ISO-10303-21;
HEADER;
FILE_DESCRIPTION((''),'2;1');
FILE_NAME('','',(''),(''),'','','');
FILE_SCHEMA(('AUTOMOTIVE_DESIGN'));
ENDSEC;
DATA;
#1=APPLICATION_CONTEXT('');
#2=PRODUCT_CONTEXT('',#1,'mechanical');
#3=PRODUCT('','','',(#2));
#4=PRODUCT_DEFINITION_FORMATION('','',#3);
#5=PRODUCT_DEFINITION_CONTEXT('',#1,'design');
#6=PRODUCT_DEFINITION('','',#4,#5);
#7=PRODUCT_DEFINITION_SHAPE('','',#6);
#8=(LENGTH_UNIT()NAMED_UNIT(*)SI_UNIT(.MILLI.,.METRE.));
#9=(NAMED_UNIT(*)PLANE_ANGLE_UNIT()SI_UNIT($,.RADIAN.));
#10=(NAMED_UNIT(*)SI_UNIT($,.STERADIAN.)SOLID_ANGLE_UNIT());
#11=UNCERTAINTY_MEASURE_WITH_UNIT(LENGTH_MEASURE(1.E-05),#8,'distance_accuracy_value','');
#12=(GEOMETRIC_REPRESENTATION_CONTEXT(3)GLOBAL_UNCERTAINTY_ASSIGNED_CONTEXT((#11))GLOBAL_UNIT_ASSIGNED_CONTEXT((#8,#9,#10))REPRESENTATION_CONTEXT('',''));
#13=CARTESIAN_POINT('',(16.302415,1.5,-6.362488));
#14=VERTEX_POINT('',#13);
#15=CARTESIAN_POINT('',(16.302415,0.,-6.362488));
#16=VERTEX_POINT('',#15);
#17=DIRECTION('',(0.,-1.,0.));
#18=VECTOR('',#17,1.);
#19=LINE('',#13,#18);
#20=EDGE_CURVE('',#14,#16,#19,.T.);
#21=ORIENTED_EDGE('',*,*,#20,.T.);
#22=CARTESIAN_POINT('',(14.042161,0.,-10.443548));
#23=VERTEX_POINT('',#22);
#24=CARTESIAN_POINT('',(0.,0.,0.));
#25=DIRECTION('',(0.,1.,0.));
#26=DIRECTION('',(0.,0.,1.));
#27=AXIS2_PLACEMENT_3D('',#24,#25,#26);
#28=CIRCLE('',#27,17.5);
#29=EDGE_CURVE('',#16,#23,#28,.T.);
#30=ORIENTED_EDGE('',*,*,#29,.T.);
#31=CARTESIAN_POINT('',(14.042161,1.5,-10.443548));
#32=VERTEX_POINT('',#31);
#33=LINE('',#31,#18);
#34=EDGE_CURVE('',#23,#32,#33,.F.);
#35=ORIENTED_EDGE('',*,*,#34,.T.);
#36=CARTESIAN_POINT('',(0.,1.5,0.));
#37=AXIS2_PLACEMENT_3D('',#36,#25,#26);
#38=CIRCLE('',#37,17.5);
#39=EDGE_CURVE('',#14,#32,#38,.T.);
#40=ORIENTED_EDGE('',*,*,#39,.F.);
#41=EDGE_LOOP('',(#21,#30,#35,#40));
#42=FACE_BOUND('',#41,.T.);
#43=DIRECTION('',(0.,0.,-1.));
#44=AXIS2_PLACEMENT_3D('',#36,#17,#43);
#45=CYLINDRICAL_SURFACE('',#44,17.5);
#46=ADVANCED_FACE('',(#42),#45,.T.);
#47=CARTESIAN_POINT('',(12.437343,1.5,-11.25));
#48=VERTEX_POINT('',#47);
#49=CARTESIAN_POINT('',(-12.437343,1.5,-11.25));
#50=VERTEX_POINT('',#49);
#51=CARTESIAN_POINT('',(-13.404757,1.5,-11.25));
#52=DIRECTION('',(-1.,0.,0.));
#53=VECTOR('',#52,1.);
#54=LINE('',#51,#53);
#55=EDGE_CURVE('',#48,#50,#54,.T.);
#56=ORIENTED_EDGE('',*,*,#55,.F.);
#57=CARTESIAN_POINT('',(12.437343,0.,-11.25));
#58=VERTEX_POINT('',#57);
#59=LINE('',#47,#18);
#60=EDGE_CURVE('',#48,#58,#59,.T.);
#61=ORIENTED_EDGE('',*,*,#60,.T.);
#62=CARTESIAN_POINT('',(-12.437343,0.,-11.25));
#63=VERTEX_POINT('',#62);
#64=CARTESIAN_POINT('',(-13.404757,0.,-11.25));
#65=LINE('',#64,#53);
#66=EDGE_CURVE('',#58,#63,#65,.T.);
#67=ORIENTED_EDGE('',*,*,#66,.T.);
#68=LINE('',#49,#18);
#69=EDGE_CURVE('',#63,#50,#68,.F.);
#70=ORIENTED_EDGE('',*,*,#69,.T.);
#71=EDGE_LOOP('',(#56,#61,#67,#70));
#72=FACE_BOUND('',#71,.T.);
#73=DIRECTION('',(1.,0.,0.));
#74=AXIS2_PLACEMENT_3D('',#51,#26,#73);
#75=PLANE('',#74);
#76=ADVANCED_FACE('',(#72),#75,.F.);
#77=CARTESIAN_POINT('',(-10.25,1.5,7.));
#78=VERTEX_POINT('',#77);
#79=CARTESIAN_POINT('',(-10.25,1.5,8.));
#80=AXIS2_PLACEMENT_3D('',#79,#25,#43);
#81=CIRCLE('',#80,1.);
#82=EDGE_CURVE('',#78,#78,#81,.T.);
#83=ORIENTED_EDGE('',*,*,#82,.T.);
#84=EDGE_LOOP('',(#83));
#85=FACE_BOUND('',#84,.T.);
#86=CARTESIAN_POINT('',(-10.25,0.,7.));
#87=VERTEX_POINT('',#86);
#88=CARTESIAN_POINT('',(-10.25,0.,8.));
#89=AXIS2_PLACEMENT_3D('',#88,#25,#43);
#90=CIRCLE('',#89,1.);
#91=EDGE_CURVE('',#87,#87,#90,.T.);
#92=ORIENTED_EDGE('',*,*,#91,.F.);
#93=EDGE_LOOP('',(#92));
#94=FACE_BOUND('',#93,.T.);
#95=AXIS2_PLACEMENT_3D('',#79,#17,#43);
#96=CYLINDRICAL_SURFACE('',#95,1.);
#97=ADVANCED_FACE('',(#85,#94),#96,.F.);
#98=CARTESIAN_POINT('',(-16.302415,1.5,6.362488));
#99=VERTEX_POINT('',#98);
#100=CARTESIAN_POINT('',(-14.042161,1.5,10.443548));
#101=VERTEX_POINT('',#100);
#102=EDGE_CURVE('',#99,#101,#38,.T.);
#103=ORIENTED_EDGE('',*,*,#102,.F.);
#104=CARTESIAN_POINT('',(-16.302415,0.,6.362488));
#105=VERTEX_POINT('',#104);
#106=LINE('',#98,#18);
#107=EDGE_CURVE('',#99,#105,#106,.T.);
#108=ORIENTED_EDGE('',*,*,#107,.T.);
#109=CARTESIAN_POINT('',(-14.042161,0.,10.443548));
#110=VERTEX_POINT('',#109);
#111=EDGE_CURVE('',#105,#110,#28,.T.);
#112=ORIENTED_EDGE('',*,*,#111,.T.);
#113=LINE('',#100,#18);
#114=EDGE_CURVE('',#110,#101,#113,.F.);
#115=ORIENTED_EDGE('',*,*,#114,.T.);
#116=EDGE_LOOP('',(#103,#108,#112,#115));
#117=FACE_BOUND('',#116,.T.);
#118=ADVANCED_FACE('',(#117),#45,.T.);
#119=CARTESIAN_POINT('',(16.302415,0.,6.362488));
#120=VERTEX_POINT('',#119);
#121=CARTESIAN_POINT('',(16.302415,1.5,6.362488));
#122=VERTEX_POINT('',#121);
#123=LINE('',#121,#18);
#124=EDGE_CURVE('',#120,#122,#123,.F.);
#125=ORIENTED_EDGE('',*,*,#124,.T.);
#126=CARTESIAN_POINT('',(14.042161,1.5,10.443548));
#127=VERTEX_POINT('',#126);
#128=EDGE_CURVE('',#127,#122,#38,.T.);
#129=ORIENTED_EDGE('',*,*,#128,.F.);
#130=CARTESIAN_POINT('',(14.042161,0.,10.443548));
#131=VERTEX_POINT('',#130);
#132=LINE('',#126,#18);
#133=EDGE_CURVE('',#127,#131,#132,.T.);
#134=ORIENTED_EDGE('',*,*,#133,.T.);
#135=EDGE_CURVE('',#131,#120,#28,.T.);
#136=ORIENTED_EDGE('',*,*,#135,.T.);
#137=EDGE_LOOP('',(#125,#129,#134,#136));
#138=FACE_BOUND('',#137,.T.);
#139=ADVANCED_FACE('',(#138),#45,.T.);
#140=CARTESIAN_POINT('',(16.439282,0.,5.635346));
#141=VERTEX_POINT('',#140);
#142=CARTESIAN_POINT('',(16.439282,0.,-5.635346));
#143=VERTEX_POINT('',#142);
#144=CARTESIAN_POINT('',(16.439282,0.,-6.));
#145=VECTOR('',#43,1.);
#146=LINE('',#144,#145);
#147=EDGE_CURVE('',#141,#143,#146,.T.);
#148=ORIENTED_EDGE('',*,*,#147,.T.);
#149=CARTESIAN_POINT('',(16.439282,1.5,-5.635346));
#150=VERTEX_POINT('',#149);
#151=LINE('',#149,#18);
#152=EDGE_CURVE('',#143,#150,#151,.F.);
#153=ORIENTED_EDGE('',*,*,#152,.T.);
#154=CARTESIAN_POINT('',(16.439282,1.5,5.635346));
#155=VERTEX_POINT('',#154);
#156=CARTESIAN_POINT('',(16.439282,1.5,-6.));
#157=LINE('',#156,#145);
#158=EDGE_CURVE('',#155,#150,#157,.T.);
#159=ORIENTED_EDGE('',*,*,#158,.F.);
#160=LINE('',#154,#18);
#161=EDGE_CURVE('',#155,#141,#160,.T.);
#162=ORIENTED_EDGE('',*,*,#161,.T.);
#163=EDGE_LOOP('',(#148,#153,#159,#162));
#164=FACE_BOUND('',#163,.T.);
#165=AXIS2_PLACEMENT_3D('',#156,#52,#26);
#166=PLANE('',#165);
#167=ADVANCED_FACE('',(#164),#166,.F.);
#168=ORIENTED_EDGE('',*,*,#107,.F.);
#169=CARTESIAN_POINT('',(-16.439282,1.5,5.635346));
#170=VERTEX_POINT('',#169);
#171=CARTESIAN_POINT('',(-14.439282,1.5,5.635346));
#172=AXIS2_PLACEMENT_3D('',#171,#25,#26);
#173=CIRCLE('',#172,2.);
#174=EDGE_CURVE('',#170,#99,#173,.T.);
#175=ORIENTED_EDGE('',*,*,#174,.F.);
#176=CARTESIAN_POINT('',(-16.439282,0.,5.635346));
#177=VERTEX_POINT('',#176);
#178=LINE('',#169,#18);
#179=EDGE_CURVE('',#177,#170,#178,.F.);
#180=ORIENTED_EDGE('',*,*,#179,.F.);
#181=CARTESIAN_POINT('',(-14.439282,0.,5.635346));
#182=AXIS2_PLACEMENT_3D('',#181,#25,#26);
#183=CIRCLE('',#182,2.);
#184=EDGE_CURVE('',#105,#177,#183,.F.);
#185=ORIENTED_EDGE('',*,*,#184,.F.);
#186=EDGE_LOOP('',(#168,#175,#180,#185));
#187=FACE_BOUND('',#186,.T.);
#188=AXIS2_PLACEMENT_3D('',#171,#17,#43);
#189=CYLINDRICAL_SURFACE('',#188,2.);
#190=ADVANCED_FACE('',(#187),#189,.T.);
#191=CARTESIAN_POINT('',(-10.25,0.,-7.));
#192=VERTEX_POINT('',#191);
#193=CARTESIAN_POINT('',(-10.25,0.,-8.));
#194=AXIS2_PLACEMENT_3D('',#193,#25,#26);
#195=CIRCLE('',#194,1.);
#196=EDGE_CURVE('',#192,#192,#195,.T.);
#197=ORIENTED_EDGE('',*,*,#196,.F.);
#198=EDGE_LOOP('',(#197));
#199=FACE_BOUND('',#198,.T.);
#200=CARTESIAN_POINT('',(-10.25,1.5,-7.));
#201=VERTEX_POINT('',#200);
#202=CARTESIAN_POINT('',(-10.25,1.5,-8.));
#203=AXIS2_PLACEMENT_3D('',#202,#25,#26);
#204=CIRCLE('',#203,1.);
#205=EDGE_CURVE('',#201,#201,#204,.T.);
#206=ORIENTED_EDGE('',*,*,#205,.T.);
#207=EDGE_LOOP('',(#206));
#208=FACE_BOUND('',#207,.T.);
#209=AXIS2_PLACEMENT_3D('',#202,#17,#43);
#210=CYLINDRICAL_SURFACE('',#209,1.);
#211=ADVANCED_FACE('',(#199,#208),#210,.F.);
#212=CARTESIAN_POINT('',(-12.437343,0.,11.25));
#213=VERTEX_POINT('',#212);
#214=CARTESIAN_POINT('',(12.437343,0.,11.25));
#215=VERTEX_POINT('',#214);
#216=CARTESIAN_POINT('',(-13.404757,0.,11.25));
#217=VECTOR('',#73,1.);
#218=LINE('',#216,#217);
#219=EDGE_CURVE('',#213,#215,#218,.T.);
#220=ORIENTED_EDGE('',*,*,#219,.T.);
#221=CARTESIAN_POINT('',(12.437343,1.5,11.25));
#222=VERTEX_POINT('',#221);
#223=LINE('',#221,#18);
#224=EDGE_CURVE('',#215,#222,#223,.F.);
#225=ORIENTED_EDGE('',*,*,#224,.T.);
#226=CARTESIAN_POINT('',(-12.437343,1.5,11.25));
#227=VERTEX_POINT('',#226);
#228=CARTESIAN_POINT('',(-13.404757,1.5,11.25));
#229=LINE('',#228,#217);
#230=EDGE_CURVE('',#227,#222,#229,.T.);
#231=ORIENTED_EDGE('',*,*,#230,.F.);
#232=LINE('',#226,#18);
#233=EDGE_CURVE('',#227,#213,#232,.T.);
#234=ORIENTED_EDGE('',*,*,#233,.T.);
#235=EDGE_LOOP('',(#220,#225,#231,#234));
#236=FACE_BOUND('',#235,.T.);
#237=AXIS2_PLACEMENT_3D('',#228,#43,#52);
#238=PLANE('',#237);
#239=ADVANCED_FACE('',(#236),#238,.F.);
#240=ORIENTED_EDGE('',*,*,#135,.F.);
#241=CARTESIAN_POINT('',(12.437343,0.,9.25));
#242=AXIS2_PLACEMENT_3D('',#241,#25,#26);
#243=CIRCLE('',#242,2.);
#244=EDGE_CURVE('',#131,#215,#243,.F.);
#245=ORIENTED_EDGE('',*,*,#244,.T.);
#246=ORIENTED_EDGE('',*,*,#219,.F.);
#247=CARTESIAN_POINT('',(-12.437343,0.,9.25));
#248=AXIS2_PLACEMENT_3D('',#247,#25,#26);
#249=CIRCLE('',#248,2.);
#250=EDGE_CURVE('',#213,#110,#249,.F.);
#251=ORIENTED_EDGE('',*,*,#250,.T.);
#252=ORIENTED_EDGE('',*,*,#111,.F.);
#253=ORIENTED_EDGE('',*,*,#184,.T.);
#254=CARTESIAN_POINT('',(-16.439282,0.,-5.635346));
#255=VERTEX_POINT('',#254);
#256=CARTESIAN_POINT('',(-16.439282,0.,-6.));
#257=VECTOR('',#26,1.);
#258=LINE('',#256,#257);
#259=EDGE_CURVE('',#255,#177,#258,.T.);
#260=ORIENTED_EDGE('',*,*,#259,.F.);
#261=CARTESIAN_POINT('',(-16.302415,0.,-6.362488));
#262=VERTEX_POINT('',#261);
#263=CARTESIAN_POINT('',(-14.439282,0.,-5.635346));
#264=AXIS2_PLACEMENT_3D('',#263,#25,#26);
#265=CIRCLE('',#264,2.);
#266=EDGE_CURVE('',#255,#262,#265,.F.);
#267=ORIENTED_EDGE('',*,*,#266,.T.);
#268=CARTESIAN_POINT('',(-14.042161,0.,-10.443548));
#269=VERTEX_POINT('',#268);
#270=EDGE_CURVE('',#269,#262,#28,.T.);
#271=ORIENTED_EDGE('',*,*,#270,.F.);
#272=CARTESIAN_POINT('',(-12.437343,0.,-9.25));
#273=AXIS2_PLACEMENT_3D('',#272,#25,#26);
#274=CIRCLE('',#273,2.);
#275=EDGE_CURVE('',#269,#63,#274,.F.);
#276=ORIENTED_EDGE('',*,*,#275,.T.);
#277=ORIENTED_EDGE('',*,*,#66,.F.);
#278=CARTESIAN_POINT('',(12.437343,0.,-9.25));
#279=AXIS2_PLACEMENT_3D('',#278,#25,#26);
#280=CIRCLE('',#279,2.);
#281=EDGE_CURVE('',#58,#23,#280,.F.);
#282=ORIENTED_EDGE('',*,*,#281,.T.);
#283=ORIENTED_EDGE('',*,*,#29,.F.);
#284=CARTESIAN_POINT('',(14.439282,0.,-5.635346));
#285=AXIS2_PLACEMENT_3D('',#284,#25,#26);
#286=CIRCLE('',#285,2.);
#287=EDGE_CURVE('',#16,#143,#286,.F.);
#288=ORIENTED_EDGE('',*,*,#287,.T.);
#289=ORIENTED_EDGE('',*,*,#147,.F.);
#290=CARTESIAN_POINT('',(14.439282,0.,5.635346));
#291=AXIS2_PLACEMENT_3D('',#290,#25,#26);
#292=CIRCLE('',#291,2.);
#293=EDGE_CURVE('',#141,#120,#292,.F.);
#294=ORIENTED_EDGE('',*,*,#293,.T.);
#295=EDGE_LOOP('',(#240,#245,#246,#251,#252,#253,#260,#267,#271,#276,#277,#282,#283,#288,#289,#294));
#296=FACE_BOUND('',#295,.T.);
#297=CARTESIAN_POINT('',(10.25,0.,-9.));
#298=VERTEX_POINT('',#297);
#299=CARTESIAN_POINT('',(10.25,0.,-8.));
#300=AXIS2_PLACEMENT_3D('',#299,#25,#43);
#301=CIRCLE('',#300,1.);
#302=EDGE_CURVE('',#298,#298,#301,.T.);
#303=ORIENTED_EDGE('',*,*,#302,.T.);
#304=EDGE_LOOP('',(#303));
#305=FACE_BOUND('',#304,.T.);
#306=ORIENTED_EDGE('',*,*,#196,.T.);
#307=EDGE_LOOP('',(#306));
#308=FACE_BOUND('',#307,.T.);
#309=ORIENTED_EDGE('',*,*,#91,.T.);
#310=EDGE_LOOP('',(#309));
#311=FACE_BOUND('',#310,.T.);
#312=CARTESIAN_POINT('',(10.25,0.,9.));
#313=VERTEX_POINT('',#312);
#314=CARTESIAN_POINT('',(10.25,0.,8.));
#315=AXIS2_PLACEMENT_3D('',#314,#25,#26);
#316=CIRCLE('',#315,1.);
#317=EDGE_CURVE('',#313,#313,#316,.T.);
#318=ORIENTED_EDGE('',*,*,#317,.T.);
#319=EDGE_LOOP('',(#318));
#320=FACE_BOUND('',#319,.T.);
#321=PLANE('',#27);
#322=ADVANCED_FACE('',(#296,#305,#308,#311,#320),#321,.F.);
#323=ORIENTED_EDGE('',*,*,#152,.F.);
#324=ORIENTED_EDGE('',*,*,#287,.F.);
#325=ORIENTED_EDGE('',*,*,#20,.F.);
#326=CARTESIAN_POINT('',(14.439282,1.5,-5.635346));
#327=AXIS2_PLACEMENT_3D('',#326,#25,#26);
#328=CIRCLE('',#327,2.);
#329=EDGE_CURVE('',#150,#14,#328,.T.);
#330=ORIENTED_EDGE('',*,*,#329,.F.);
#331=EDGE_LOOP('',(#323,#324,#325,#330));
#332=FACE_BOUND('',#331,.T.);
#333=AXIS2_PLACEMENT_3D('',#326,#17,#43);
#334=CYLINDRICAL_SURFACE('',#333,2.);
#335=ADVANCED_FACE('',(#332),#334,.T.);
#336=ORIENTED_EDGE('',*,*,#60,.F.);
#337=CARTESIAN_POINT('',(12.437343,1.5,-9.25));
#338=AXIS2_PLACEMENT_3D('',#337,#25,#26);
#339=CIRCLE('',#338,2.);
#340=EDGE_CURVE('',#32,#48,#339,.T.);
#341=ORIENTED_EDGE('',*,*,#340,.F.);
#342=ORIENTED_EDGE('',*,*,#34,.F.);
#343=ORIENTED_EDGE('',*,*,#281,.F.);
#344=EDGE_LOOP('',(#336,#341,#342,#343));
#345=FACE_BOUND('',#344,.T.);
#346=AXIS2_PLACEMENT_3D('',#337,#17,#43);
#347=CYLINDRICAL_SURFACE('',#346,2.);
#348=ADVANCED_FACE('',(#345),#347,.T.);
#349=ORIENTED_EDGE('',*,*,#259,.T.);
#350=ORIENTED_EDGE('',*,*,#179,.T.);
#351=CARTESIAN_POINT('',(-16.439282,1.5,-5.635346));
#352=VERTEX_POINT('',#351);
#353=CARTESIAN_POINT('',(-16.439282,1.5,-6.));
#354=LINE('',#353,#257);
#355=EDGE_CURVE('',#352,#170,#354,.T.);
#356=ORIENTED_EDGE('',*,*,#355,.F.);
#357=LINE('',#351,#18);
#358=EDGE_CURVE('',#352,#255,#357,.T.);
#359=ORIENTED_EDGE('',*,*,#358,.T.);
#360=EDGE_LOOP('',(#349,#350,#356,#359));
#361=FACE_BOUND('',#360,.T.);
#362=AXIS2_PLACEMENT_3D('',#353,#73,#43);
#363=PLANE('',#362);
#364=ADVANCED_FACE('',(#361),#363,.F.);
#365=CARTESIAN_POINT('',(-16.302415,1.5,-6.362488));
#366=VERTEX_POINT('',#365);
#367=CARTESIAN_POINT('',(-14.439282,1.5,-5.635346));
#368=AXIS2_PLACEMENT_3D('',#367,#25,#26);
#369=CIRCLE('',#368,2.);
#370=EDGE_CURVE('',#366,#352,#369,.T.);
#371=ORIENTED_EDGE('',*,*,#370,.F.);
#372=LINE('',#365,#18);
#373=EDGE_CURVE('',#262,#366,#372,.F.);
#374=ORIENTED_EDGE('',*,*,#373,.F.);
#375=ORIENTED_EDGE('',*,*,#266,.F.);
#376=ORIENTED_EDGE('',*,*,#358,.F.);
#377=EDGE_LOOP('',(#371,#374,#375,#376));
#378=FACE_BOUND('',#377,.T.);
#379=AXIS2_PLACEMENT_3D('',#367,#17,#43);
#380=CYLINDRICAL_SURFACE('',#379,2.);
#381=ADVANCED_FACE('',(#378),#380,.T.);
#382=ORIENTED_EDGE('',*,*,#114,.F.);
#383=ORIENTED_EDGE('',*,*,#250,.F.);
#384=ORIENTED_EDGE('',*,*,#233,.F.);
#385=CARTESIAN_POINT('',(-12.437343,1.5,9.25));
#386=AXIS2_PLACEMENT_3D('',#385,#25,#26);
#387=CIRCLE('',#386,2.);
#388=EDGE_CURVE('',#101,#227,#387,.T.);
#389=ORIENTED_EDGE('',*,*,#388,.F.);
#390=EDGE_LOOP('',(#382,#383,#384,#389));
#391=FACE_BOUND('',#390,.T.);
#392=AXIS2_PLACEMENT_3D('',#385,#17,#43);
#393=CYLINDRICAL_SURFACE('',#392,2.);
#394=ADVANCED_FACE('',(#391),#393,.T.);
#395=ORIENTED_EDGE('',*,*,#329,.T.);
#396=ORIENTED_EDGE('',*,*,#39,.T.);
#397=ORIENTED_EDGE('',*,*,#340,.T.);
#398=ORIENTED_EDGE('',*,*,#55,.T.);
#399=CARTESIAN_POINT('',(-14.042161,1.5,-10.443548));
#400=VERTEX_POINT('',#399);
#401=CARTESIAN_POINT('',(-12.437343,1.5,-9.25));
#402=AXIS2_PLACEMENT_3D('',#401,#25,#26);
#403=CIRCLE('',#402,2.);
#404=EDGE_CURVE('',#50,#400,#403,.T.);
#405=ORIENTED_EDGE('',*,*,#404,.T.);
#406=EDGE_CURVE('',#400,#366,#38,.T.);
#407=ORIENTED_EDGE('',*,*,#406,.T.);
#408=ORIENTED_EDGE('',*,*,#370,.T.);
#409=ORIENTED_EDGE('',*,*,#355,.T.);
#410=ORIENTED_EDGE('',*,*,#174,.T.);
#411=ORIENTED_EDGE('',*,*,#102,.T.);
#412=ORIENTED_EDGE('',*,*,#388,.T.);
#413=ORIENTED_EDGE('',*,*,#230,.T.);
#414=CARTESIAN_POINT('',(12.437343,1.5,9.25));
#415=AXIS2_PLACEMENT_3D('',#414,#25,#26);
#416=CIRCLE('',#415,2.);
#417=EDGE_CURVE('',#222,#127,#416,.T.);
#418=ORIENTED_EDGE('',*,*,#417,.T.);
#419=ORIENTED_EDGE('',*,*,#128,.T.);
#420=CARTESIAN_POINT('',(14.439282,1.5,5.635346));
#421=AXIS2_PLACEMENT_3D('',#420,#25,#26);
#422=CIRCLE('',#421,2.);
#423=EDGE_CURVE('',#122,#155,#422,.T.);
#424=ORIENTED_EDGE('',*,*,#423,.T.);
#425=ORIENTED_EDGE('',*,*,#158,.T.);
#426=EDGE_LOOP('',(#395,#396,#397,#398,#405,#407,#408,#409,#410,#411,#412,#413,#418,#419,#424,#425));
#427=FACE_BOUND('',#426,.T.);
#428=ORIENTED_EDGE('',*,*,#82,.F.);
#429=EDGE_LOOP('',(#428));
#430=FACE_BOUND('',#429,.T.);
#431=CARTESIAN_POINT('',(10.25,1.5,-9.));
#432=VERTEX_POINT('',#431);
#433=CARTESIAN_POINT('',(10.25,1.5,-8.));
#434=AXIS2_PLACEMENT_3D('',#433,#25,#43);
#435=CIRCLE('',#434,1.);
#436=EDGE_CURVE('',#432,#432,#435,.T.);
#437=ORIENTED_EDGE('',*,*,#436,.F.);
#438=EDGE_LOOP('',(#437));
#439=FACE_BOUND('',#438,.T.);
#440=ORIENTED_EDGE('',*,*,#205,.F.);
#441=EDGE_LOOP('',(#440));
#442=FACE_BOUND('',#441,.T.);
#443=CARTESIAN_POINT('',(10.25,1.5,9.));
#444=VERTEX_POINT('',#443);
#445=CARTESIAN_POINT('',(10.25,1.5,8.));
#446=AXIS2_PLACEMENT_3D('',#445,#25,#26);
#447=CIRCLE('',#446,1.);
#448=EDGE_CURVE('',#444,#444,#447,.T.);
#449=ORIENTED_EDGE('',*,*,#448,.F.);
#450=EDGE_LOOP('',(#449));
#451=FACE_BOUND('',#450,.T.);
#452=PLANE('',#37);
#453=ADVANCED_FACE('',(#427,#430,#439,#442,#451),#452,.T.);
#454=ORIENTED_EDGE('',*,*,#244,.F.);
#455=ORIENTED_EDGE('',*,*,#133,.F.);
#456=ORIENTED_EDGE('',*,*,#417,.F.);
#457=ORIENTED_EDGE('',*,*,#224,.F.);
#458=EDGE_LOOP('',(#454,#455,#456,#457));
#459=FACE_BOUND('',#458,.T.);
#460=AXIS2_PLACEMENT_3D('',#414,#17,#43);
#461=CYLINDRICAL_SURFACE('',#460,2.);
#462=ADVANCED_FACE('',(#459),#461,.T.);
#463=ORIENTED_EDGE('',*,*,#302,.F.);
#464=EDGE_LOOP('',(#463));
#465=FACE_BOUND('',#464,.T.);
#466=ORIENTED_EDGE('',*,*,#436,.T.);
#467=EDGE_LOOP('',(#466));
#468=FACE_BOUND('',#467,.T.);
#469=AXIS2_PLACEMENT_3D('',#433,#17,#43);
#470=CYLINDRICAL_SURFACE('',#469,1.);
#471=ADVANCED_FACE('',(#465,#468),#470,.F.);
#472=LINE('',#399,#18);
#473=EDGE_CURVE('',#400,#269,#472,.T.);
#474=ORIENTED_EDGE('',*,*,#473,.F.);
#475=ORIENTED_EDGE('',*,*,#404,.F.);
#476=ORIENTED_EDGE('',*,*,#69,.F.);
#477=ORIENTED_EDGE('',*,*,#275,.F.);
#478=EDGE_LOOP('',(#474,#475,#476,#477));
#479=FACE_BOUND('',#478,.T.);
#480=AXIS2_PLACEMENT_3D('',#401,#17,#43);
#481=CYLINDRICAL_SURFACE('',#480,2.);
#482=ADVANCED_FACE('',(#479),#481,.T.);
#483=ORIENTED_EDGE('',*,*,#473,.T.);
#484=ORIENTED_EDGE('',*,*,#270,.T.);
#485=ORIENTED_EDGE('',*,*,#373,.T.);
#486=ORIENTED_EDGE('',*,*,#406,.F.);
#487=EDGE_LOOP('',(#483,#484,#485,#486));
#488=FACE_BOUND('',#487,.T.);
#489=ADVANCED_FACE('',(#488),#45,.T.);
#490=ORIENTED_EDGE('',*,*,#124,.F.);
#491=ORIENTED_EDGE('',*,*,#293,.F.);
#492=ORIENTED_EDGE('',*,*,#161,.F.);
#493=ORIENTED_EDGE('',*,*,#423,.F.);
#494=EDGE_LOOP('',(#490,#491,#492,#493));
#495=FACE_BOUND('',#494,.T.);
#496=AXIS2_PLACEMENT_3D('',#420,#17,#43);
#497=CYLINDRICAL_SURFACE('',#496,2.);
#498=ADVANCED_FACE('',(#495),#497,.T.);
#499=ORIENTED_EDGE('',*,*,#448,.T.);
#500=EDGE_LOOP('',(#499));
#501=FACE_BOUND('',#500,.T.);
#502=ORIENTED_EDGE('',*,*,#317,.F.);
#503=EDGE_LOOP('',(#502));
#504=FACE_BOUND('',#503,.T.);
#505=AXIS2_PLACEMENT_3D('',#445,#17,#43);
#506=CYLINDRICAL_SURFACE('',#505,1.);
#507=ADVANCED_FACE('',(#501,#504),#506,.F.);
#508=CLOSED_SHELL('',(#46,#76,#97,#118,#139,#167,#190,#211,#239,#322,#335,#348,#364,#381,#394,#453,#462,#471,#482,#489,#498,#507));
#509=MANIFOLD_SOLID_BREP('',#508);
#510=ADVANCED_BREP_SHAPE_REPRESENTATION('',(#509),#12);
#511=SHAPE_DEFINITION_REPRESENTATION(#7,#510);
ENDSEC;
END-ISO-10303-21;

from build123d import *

# Parameters (mm, degrees)
SKETCH_1_R      = 1
EXTRUDE_1_DEPTH = 1.5
FILLET_1_R      = 2


with BuildPart() as part:
    # 草图1 → 凸台-拉伸1 (new body)
    with BuildSketch(Plane(origin=(0, 0, 0), x_dir=(1, 0, 0), z_dir=(0, 1, 0))):
        with BuildLine():
            Line((-13.404756618, 11.25), (13.404756618, 11.25))
            ThreePointArc((13.404756618, 11.25), (15.151148095, 8.757437491), (16.439282223, 6))
            Line((16.439282223, 6), (16.439282223, -6))
            ThreePointArc((16.439282223, -6), (15.151148095, -8.757437491), (13.404756618, -11.25))
            Line((13.404756618, -11.25), (-13.404756618, -11.25))
            ThreePointArc((-13.404756618, -11.25), (-15.151148095, -8.757437491), (-16.439282223, -6))
            Line((-16.439282223, -6), (-16.439282223, 6))
            ThreePointArc((-16.439282223, 6), (-15.151148095, 8.757437491), (-13.404756618, 11.25))
        make_face()
        with Locations(Location((10.25, -8, 0), (0, 0, 270))):
            Circle(SKETCH_1_R, mode=Mode.SUBTRACT)
        with Locations(Location((-10.25, -8, 0), (0, 0, 90))):
            Circle(SKETCH_1_R, mode=Mode.SUBTRACT)
        with Locations(Location((-10.25, 8, 0), (0, 0, 270))):
            Circle(SKETCH_1_R, mode=Mode.SUBTRACT)
        with Locations(Location((10.25, 8, 0), (0, 0, 90))):
            Circle(SKETCH_1_R, mode=Mode.SUBTRACT)
    extrude(amount=EXTRUDE_1_DEPTH)

    # 圆角1
    fillet_1_edges = [part.edges().sort_by_distance(p)[0] for p in [
        (-13.404756618, 0.75, -11.25),
        (13.404756618, 0.75, -11.25),
        (16.439282223, 0.75, -6),
        (16.439282223, 0.75, 6),
        (13.404756618, 0.75, 11.25),
        (-13.404756618, 0.75, 11.25),
        (-16.439282223, 0.75, 6),
        (-16.439282223, 0.75, -6),
    ]]
    fillet(fillet_1_edges, radius=FILLET_1_R)


solid = part.part
